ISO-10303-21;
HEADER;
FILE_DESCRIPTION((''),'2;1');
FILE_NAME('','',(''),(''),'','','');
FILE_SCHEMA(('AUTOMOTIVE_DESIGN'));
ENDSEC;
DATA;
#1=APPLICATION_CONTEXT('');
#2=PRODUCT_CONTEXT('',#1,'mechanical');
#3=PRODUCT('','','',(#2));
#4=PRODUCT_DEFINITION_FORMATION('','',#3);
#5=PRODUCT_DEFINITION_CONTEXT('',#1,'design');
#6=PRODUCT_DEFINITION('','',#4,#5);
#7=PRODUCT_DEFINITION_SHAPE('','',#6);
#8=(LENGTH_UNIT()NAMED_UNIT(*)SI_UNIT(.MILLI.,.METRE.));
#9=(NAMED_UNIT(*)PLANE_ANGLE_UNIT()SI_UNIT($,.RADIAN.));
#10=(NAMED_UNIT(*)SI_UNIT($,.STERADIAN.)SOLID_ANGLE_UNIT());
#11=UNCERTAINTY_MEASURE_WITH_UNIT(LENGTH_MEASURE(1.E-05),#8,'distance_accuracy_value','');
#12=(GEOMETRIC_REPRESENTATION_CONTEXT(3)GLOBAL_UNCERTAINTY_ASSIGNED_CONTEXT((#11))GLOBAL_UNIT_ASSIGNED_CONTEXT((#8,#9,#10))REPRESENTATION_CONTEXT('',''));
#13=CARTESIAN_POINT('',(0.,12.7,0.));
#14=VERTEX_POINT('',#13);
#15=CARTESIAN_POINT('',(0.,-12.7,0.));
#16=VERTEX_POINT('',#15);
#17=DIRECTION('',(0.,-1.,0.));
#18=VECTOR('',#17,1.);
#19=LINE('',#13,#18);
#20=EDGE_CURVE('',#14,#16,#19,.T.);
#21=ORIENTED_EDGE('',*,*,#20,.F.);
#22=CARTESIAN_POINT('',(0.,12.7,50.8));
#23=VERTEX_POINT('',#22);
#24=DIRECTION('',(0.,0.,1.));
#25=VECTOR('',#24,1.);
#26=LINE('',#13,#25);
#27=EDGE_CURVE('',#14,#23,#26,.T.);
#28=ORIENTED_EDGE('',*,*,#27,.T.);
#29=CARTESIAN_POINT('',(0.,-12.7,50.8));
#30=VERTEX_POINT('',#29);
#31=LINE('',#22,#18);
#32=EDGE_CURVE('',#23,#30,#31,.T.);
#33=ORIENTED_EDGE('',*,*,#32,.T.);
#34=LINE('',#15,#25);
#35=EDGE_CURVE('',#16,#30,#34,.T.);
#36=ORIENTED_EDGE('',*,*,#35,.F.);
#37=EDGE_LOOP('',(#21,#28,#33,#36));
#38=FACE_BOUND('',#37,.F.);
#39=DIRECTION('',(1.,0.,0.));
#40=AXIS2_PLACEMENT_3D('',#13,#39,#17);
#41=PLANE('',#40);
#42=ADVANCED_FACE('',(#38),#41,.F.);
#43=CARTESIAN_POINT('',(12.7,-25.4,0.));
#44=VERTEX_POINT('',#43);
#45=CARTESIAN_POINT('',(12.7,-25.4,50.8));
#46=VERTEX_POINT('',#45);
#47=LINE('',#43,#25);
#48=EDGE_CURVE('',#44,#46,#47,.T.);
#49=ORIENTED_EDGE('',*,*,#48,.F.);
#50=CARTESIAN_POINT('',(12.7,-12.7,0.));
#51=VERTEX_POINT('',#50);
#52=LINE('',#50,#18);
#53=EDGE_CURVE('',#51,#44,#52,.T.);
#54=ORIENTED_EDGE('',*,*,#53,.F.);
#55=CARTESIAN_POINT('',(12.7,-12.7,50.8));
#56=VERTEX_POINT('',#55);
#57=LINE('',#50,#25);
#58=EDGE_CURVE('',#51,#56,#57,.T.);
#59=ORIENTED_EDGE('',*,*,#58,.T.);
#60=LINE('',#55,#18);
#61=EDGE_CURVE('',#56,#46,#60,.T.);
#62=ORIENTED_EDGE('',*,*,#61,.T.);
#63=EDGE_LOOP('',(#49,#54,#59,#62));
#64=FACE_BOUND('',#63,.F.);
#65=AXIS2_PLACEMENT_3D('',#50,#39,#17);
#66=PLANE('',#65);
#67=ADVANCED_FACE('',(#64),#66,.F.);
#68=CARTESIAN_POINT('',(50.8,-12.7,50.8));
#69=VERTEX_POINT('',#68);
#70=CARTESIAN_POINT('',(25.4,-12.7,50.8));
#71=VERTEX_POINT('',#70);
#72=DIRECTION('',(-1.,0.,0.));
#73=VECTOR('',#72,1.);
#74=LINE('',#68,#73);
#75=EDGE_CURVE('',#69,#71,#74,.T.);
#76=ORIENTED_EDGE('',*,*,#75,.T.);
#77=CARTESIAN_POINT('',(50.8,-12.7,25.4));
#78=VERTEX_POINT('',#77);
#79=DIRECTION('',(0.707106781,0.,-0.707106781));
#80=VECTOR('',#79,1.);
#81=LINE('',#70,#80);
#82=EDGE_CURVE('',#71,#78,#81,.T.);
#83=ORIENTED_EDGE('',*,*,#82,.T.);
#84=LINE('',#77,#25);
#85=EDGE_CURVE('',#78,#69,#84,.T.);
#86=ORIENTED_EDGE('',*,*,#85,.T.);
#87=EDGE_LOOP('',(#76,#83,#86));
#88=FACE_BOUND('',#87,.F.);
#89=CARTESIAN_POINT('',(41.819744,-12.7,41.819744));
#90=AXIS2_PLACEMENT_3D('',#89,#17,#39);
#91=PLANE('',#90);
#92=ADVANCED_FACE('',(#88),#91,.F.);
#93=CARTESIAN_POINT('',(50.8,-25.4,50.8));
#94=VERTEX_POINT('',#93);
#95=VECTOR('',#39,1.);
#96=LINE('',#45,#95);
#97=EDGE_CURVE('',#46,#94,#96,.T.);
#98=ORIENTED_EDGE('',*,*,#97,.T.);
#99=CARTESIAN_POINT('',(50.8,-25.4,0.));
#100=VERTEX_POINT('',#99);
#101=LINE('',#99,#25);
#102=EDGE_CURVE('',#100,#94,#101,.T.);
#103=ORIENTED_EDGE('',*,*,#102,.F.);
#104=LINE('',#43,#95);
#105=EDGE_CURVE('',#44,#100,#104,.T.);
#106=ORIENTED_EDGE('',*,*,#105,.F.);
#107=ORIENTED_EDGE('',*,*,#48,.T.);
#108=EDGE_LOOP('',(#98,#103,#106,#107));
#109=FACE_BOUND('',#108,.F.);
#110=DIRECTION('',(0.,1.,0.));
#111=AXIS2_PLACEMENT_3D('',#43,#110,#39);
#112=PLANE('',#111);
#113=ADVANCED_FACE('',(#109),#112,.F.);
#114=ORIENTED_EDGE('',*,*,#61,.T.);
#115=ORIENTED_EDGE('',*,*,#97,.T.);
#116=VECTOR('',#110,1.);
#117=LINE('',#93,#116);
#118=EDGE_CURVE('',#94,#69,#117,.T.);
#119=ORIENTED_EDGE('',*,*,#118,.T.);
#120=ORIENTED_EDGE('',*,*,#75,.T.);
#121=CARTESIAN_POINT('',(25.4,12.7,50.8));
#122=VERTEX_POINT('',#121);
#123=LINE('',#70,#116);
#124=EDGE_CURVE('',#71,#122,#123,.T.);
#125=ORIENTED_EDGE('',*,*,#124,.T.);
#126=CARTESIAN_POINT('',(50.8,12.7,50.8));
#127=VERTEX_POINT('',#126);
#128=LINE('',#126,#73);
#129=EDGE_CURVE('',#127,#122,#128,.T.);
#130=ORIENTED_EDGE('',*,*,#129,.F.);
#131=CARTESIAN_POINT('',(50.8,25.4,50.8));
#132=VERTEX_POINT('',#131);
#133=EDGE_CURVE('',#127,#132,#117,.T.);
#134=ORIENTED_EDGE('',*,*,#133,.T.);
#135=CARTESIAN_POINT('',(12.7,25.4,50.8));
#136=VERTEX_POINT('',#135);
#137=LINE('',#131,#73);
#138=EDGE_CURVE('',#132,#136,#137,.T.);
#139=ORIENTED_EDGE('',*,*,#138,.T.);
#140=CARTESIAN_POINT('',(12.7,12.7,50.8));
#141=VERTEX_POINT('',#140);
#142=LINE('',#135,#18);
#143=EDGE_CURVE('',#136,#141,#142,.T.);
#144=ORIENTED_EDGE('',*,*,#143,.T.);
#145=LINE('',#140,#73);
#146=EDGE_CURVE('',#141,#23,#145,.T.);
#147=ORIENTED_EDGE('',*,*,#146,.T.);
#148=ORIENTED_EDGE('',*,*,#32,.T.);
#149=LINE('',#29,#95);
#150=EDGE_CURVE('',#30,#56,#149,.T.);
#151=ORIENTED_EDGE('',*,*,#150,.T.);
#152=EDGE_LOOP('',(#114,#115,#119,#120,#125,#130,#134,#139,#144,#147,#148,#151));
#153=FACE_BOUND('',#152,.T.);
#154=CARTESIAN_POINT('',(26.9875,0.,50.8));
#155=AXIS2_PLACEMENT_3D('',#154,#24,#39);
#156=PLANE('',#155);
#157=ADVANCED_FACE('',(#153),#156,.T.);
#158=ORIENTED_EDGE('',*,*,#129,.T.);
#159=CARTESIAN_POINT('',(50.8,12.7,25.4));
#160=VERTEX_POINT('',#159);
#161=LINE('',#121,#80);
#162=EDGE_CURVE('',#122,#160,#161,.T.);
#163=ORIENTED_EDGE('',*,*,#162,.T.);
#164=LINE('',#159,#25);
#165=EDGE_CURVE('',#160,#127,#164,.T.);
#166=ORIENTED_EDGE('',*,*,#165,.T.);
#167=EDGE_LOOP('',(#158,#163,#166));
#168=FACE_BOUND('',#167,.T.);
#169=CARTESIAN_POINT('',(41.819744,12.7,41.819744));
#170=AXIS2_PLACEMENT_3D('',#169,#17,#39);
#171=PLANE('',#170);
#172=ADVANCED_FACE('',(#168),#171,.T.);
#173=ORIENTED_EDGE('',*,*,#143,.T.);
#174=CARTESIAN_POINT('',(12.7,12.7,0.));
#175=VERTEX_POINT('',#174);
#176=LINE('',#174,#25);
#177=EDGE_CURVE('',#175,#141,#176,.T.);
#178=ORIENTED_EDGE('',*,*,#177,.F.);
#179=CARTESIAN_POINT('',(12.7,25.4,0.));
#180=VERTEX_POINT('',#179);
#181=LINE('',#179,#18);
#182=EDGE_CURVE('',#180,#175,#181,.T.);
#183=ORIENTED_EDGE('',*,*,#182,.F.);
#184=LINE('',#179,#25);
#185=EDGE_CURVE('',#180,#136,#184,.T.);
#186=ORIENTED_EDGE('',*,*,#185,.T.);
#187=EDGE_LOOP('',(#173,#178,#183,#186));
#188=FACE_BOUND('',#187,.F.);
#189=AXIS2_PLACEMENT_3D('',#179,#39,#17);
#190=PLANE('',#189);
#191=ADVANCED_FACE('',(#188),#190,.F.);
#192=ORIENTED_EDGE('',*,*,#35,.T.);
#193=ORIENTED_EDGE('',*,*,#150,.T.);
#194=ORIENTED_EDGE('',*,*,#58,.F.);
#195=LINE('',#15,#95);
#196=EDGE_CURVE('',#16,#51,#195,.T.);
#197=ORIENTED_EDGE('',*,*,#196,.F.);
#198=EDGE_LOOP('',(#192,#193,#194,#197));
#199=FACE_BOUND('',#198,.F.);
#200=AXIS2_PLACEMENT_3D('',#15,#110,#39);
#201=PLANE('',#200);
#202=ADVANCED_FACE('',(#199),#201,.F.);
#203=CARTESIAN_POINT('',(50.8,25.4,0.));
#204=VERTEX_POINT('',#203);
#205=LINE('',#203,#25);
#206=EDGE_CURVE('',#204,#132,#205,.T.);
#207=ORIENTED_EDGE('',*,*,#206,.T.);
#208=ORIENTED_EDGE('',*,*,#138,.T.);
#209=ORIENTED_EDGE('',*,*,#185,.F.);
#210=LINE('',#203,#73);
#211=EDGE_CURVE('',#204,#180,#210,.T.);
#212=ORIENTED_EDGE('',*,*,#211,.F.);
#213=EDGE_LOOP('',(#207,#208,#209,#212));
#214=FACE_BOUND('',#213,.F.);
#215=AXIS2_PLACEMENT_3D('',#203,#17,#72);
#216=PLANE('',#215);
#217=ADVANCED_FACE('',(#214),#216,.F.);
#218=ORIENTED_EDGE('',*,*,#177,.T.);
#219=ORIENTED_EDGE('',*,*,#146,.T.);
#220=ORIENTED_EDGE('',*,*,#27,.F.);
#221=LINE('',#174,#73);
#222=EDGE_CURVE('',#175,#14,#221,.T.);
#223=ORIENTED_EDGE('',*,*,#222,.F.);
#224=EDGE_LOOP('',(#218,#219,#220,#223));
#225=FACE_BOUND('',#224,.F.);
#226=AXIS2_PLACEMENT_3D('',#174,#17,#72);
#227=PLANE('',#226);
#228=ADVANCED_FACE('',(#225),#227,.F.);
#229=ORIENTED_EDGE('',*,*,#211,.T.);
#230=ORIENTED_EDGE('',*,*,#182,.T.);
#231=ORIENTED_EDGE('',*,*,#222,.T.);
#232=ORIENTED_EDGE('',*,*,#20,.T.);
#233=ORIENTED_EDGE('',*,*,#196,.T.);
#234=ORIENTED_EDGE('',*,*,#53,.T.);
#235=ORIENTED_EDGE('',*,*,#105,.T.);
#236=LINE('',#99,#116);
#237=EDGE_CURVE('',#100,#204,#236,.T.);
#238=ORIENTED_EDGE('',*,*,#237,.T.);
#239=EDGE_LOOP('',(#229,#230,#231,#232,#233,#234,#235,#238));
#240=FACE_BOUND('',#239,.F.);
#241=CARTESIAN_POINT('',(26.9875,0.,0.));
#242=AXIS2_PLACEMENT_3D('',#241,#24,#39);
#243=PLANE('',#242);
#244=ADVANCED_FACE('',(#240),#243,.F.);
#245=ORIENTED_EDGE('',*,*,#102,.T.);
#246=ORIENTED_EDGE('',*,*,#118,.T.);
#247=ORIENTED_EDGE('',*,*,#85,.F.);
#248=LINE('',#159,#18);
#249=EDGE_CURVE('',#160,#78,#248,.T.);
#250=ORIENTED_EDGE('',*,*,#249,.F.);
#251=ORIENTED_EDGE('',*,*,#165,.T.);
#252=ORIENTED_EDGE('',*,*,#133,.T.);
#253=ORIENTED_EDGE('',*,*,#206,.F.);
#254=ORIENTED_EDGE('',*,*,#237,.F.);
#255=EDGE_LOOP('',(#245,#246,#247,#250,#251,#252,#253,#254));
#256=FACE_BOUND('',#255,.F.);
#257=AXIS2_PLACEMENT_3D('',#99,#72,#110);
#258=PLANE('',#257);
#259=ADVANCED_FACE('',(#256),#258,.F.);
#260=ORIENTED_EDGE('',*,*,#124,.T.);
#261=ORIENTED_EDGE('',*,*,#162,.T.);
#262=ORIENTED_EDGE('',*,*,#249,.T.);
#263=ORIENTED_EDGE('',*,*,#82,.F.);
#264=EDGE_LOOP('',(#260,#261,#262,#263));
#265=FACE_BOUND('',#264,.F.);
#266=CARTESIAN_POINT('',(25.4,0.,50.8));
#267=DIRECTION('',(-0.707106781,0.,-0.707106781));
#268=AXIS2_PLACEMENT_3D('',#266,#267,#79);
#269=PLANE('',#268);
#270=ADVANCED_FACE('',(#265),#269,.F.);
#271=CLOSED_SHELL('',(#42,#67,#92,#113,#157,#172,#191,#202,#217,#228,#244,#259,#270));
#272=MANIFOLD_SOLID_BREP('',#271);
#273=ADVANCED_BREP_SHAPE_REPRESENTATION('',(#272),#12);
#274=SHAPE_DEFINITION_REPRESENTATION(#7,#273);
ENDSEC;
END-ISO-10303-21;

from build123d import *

# Parameters (mm, degrees)
F1_DEPTH      = 50.8
F3_DEPTH      = 12.7
F3_DEPTH_BACK = 12.7


with BuildPart() as f1:
    # F0 (on Top) → F1 (new body)
    with BuildSketch(Plane.XY):
        Polygon((12.7, 12.7), (0, 12.7), (0, -12.7), (12.7, -12.7), (12.7, -25.4), (50.8, -25.4), (50.8, 25.4), (12.7, 25.4), align=None)
    extrude(amount=F1_DEPTH)

    # F2 (on Front) → F3 (cut, two sides)
    with BuildSketch(Plane.XZ) as f3_sk:
        Polygon((50.8, 50.8), (25.4, 50.8), (50.8, 25.4), align=None)
    extrude(amount=-F3_DEPTH, mode=Mode.SUBTRACT)
    extrude(f3_sk.sketch, amount=F3_DEPTH_BACK, mode=Mode.SUBTRACT)


solid = f1.part
